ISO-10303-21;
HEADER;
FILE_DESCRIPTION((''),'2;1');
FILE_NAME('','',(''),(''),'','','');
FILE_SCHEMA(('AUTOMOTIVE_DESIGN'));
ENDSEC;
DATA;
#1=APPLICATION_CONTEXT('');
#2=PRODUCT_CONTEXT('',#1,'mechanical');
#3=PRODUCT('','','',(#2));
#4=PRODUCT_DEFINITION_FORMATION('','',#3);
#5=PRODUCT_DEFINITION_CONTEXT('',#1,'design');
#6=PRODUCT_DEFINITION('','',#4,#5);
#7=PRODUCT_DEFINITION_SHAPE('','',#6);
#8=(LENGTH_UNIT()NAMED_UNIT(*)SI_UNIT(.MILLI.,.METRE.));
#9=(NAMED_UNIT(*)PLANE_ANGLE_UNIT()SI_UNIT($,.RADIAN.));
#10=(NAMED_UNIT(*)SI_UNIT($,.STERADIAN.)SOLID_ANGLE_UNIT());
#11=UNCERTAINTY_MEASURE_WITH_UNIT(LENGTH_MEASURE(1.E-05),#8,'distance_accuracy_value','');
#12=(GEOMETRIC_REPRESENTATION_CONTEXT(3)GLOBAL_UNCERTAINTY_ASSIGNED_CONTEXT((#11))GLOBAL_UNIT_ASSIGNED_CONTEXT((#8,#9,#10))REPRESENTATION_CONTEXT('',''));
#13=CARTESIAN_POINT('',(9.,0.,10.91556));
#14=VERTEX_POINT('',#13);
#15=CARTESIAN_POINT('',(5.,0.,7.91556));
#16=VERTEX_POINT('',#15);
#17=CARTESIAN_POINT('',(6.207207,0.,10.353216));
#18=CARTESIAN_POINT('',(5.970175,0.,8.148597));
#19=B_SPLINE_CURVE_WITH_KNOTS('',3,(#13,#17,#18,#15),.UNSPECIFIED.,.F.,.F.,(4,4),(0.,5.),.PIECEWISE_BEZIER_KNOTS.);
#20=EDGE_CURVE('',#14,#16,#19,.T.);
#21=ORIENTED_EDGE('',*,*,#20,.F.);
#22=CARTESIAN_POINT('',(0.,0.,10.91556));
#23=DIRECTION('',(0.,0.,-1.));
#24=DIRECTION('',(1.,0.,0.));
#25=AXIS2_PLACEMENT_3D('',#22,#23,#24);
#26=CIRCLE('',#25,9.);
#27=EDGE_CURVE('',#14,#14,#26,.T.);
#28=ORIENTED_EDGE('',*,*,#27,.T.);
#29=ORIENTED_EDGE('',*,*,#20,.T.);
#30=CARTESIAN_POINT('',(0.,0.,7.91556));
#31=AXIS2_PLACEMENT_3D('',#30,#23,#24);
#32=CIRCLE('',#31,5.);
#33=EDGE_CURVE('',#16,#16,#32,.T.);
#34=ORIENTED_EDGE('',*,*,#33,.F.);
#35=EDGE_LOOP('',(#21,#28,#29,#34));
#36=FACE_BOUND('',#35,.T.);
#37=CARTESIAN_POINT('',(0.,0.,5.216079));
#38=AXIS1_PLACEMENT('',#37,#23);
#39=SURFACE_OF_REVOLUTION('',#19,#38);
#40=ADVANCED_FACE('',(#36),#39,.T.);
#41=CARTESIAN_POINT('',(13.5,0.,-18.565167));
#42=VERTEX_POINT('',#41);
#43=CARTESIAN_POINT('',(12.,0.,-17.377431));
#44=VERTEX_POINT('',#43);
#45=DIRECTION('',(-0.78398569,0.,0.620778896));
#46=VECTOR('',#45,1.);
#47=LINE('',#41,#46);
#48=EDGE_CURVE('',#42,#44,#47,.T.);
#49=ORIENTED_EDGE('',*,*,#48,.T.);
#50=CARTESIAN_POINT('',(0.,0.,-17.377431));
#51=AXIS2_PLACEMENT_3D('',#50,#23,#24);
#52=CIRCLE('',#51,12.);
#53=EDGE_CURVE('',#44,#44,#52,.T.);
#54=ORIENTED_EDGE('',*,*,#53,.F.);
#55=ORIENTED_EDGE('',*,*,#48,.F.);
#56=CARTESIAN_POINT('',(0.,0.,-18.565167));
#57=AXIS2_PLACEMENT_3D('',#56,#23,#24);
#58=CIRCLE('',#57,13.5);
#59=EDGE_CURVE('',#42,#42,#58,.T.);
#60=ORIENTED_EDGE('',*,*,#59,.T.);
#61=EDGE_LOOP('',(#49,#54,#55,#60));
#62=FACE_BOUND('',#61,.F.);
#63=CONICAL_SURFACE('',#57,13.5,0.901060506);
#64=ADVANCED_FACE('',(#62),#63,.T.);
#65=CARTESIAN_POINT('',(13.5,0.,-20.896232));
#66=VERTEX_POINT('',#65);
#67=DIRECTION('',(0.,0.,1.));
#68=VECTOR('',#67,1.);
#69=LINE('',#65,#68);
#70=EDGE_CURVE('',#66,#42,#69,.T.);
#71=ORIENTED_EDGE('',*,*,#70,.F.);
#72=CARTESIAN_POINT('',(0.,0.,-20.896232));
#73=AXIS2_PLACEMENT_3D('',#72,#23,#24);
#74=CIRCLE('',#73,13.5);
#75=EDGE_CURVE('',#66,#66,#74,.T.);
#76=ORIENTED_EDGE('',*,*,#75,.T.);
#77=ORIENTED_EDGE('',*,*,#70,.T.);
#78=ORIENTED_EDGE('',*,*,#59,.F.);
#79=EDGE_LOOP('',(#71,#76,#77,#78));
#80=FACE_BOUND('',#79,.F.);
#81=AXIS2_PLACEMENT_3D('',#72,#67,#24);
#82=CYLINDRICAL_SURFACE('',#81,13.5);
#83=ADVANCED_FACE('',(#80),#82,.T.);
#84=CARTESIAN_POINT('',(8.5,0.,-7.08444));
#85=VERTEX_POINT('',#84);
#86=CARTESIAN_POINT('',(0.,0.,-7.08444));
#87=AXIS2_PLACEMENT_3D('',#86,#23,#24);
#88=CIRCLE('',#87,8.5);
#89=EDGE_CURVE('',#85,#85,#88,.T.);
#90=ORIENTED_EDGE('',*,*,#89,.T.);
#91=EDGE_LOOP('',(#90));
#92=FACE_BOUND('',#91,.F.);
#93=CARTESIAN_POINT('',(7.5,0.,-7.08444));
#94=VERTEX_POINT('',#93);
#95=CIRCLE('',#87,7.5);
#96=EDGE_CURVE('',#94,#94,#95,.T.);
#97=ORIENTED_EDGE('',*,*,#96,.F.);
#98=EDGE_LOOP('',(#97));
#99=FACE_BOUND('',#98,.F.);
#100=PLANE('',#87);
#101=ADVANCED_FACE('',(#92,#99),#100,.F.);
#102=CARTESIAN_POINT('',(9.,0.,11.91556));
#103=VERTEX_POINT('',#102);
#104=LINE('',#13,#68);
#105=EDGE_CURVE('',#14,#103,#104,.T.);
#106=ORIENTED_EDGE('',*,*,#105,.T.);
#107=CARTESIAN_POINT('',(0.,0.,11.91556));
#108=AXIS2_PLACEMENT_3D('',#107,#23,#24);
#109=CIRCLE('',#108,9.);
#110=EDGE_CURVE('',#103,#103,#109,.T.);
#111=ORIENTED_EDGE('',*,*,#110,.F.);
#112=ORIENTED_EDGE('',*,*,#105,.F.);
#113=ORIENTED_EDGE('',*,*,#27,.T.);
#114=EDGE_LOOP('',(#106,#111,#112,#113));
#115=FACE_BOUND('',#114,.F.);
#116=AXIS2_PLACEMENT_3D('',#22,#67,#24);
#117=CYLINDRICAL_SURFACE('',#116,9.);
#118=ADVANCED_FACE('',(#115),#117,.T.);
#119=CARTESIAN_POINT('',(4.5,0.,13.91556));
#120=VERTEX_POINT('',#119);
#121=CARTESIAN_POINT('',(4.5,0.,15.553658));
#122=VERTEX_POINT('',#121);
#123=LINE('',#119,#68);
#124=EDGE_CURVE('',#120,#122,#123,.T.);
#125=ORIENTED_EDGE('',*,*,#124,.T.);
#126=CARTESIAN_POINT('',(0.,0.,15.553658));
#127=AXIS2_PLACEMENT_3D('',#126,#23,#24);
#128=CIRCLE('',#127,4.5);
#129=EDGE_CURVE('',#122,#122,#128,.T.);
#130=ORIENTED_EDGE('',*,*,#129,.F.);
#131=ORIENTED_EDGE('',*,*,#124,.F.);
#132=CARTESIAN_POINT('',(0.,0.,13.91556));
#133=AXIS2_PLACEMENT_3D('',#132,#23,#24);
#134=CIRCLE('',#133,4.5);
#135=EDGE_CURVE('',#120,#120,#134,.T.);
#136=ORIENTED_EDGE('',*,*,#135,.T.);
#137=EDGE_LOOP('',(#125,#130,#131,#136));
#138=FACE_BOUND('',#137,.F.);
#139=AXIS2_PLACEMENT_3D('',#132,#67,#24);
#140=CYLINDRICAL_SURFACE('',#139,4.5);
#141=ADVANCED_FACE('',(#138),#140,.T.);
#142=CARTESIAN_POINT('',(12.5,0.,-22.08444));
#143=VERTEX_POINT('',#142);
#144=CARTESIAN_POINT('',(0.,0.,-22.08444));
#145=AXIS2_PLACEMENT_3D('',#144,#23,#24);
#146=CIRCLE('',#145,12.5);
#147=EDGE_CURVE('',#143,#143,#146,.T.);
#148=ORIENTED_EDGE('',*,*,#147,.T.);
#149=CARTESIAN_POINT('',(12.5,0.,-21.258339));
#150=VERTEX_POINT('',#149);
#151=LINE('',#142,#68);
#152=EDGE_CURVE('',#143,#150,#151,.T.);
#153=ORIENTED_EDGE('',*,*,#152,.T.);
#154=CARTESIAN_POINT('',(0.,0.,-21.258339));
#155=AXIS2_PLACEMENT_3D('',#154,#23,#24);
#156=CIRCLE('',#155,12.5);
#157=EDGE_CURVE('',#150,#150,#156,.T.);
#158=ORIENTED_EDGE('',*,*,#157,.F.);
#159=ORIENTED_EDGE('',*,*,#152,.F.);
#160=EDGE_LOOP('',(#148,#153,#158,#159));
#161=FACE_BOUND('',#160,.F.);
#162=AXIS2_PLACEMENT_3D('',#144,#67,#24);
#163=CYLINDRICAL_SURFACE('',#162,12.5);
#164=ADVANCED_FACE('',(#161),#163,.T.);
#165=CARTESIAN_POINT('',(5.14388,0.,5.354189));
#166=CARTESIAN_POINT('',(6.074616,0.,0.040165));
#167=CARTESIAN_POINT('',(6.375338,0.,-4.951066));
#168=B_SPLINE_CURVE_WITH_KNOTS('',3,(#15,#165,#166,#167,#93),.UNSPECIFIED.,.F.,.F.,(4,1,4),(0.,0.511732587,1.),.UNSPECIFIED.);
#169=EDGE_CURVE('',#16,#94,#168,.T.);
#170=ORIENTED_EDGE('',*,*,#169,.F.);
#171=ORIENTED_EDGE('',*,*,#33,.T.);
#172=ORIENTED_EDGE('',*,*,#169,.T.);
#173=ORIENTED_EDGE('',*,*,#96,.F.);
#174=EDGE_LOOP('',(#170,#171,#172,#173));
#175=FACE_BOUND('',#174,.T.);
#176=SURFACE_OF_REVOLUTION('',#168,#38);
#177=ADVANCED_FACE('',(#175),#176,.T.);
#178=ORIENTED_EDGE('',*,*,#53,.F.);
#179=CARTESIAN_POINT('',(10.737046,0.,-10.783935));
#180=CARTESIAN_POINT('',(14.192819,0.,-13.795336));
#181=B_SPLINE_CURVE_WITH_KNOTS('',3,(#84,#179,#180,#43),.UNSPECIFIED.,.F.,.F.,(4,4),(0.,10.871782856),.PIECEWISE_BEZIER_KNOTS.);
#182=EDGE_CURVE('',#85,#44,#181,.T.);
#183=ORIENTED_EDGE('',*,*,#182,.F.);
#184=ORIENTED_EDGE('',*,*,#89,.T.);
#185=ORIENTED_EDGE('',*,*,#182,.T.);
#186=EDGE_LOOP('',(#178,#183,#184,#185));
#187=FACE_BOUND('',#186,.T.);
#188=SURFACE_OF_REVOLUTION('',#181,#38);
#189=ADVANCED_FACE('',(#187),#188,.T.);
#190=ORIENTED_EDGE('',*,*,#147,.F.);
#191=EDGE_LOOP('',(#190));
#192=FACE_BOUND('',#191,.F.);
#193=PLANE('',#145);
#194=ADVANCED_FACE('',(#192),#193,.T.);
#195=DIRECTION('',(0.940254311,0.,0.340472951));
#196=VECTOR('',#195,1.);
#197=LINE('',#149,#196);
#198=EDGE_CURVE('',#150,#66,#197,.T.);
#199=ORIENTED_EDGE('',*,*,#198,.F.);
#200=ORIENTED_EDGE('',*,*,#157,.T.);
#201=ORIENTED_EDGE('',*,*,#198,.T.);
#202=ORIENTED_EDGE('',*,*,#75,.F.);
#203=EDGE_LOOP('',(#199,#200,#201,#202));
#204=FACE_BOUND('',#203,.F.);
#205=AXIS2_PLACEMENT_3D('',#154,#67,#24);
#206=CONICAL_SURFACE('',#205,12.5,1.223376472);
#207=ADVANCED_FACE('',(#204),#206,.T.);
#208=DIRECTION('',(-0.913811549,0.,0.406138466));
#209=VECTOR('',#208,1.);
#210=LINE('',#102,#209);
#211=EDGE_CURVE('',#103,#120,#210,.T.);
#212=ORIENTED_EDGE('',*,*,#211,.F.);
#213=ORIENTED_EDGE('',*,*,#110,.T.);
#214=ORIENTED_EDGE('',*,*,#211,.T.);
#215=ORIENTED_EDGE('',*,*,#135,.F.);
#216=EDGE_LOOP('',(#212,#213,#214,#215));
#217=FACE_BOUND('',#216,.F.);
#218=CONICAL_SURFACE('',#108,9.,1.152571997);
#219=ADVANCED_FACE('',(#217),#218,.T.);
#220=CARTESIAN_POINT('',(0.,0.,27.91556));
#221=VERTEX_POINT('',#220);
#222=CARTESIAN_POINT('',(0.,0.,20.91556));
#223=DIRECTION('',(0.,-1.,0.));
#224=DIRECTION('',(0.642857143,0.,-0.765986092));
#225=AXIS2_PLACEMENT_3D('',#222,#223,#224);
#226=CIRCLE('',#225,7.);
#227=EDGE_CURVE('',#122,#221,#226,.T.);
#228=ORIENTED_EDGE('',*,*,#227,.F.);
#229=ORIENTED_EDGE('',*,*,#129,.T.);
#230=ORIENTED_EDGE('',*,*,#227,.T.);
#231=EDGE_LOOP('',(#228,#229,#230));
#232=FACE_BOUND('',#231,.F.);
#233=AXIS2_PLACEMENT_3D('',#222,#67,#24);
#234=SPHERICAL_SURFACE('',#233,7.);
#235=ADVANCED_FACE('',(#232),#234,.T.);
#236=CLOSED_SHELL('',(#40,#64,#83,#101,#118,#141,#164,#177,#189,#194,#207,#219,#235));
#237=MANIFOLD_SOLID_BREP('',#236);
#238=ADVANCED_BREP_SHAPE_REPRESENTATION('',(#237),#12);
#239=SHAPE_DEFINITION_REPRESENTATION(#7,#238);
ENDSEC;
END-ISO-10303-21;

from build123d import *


with BuildPart() as f1:
    # F0 (on Front) → F1 (revolve)
    with BuildSketch(Plane.XZ):
        with BuildLine():
            Line((4.5, 13.9155603797), (4.5, 15.5536577323))
            ThreePointArc((4.5, 15.5536577323), (6.5777396776, 23.3099999246), (0, 27.9155603797))
            Line((0, 27.9155603797), (0, -22.0844396203))
            Line((0, -22.0844396203), (12.5, -22.0844396203))
            Line((12.5, -22.0844396203), (12.5, -21.258339414))
            Line((12.5, -21.258339414), (13.5, -20.8962321129))
            Line((13.5, -20.8962321129), (13.5, -18.5651669636))
            Line((13.5, -18.5651669636), (12, -17.3774305589))
            add(Edge.make_bspline(
                [(8.5, -7.0844396203), (10.73704627, -10.7839351066), (14.1928188384, -13.7953361232), (12, -17.3774305589)],
                knots=[0, 0, 0, 0, 10.8717828557, 10.8717828557, 10.8717828557, 10.8717828557], degree=3))
            Line((8.5, -7.0844396203), (7.5, -7.0844396203))
            add(Edge.make_bspline(
                [(5, 7.9155603797), (5.1438804512, 5.3541886707), (6.0746159311, 0.04016457), (6.3753383304, -4.9510663585), (7.5, -7.0844396203)],
                knots=[0, 0, 0, 0, 0.5117325866, 1, 1, 1, 1], degree=3))
            add(Edge.make_bspline(
                [(9, 10.9155603797), (6.2072066026, 10.353216024), (5.9701752265, 8.1485969333), (5, 7.9155603797)],
                knots=[0, 0, 0, 0, 5, 5, 5, 5], degree=3))
            Line((9, 10.9155603797), (9, 11.9155603797))
            Line((9, 11.9155603797), (4.5, 13.9155603797))
        make_face()
    revolve(axis=Axis((0, 0, 5.2160786271), (0, 0, -1)))


solid = f1.part
